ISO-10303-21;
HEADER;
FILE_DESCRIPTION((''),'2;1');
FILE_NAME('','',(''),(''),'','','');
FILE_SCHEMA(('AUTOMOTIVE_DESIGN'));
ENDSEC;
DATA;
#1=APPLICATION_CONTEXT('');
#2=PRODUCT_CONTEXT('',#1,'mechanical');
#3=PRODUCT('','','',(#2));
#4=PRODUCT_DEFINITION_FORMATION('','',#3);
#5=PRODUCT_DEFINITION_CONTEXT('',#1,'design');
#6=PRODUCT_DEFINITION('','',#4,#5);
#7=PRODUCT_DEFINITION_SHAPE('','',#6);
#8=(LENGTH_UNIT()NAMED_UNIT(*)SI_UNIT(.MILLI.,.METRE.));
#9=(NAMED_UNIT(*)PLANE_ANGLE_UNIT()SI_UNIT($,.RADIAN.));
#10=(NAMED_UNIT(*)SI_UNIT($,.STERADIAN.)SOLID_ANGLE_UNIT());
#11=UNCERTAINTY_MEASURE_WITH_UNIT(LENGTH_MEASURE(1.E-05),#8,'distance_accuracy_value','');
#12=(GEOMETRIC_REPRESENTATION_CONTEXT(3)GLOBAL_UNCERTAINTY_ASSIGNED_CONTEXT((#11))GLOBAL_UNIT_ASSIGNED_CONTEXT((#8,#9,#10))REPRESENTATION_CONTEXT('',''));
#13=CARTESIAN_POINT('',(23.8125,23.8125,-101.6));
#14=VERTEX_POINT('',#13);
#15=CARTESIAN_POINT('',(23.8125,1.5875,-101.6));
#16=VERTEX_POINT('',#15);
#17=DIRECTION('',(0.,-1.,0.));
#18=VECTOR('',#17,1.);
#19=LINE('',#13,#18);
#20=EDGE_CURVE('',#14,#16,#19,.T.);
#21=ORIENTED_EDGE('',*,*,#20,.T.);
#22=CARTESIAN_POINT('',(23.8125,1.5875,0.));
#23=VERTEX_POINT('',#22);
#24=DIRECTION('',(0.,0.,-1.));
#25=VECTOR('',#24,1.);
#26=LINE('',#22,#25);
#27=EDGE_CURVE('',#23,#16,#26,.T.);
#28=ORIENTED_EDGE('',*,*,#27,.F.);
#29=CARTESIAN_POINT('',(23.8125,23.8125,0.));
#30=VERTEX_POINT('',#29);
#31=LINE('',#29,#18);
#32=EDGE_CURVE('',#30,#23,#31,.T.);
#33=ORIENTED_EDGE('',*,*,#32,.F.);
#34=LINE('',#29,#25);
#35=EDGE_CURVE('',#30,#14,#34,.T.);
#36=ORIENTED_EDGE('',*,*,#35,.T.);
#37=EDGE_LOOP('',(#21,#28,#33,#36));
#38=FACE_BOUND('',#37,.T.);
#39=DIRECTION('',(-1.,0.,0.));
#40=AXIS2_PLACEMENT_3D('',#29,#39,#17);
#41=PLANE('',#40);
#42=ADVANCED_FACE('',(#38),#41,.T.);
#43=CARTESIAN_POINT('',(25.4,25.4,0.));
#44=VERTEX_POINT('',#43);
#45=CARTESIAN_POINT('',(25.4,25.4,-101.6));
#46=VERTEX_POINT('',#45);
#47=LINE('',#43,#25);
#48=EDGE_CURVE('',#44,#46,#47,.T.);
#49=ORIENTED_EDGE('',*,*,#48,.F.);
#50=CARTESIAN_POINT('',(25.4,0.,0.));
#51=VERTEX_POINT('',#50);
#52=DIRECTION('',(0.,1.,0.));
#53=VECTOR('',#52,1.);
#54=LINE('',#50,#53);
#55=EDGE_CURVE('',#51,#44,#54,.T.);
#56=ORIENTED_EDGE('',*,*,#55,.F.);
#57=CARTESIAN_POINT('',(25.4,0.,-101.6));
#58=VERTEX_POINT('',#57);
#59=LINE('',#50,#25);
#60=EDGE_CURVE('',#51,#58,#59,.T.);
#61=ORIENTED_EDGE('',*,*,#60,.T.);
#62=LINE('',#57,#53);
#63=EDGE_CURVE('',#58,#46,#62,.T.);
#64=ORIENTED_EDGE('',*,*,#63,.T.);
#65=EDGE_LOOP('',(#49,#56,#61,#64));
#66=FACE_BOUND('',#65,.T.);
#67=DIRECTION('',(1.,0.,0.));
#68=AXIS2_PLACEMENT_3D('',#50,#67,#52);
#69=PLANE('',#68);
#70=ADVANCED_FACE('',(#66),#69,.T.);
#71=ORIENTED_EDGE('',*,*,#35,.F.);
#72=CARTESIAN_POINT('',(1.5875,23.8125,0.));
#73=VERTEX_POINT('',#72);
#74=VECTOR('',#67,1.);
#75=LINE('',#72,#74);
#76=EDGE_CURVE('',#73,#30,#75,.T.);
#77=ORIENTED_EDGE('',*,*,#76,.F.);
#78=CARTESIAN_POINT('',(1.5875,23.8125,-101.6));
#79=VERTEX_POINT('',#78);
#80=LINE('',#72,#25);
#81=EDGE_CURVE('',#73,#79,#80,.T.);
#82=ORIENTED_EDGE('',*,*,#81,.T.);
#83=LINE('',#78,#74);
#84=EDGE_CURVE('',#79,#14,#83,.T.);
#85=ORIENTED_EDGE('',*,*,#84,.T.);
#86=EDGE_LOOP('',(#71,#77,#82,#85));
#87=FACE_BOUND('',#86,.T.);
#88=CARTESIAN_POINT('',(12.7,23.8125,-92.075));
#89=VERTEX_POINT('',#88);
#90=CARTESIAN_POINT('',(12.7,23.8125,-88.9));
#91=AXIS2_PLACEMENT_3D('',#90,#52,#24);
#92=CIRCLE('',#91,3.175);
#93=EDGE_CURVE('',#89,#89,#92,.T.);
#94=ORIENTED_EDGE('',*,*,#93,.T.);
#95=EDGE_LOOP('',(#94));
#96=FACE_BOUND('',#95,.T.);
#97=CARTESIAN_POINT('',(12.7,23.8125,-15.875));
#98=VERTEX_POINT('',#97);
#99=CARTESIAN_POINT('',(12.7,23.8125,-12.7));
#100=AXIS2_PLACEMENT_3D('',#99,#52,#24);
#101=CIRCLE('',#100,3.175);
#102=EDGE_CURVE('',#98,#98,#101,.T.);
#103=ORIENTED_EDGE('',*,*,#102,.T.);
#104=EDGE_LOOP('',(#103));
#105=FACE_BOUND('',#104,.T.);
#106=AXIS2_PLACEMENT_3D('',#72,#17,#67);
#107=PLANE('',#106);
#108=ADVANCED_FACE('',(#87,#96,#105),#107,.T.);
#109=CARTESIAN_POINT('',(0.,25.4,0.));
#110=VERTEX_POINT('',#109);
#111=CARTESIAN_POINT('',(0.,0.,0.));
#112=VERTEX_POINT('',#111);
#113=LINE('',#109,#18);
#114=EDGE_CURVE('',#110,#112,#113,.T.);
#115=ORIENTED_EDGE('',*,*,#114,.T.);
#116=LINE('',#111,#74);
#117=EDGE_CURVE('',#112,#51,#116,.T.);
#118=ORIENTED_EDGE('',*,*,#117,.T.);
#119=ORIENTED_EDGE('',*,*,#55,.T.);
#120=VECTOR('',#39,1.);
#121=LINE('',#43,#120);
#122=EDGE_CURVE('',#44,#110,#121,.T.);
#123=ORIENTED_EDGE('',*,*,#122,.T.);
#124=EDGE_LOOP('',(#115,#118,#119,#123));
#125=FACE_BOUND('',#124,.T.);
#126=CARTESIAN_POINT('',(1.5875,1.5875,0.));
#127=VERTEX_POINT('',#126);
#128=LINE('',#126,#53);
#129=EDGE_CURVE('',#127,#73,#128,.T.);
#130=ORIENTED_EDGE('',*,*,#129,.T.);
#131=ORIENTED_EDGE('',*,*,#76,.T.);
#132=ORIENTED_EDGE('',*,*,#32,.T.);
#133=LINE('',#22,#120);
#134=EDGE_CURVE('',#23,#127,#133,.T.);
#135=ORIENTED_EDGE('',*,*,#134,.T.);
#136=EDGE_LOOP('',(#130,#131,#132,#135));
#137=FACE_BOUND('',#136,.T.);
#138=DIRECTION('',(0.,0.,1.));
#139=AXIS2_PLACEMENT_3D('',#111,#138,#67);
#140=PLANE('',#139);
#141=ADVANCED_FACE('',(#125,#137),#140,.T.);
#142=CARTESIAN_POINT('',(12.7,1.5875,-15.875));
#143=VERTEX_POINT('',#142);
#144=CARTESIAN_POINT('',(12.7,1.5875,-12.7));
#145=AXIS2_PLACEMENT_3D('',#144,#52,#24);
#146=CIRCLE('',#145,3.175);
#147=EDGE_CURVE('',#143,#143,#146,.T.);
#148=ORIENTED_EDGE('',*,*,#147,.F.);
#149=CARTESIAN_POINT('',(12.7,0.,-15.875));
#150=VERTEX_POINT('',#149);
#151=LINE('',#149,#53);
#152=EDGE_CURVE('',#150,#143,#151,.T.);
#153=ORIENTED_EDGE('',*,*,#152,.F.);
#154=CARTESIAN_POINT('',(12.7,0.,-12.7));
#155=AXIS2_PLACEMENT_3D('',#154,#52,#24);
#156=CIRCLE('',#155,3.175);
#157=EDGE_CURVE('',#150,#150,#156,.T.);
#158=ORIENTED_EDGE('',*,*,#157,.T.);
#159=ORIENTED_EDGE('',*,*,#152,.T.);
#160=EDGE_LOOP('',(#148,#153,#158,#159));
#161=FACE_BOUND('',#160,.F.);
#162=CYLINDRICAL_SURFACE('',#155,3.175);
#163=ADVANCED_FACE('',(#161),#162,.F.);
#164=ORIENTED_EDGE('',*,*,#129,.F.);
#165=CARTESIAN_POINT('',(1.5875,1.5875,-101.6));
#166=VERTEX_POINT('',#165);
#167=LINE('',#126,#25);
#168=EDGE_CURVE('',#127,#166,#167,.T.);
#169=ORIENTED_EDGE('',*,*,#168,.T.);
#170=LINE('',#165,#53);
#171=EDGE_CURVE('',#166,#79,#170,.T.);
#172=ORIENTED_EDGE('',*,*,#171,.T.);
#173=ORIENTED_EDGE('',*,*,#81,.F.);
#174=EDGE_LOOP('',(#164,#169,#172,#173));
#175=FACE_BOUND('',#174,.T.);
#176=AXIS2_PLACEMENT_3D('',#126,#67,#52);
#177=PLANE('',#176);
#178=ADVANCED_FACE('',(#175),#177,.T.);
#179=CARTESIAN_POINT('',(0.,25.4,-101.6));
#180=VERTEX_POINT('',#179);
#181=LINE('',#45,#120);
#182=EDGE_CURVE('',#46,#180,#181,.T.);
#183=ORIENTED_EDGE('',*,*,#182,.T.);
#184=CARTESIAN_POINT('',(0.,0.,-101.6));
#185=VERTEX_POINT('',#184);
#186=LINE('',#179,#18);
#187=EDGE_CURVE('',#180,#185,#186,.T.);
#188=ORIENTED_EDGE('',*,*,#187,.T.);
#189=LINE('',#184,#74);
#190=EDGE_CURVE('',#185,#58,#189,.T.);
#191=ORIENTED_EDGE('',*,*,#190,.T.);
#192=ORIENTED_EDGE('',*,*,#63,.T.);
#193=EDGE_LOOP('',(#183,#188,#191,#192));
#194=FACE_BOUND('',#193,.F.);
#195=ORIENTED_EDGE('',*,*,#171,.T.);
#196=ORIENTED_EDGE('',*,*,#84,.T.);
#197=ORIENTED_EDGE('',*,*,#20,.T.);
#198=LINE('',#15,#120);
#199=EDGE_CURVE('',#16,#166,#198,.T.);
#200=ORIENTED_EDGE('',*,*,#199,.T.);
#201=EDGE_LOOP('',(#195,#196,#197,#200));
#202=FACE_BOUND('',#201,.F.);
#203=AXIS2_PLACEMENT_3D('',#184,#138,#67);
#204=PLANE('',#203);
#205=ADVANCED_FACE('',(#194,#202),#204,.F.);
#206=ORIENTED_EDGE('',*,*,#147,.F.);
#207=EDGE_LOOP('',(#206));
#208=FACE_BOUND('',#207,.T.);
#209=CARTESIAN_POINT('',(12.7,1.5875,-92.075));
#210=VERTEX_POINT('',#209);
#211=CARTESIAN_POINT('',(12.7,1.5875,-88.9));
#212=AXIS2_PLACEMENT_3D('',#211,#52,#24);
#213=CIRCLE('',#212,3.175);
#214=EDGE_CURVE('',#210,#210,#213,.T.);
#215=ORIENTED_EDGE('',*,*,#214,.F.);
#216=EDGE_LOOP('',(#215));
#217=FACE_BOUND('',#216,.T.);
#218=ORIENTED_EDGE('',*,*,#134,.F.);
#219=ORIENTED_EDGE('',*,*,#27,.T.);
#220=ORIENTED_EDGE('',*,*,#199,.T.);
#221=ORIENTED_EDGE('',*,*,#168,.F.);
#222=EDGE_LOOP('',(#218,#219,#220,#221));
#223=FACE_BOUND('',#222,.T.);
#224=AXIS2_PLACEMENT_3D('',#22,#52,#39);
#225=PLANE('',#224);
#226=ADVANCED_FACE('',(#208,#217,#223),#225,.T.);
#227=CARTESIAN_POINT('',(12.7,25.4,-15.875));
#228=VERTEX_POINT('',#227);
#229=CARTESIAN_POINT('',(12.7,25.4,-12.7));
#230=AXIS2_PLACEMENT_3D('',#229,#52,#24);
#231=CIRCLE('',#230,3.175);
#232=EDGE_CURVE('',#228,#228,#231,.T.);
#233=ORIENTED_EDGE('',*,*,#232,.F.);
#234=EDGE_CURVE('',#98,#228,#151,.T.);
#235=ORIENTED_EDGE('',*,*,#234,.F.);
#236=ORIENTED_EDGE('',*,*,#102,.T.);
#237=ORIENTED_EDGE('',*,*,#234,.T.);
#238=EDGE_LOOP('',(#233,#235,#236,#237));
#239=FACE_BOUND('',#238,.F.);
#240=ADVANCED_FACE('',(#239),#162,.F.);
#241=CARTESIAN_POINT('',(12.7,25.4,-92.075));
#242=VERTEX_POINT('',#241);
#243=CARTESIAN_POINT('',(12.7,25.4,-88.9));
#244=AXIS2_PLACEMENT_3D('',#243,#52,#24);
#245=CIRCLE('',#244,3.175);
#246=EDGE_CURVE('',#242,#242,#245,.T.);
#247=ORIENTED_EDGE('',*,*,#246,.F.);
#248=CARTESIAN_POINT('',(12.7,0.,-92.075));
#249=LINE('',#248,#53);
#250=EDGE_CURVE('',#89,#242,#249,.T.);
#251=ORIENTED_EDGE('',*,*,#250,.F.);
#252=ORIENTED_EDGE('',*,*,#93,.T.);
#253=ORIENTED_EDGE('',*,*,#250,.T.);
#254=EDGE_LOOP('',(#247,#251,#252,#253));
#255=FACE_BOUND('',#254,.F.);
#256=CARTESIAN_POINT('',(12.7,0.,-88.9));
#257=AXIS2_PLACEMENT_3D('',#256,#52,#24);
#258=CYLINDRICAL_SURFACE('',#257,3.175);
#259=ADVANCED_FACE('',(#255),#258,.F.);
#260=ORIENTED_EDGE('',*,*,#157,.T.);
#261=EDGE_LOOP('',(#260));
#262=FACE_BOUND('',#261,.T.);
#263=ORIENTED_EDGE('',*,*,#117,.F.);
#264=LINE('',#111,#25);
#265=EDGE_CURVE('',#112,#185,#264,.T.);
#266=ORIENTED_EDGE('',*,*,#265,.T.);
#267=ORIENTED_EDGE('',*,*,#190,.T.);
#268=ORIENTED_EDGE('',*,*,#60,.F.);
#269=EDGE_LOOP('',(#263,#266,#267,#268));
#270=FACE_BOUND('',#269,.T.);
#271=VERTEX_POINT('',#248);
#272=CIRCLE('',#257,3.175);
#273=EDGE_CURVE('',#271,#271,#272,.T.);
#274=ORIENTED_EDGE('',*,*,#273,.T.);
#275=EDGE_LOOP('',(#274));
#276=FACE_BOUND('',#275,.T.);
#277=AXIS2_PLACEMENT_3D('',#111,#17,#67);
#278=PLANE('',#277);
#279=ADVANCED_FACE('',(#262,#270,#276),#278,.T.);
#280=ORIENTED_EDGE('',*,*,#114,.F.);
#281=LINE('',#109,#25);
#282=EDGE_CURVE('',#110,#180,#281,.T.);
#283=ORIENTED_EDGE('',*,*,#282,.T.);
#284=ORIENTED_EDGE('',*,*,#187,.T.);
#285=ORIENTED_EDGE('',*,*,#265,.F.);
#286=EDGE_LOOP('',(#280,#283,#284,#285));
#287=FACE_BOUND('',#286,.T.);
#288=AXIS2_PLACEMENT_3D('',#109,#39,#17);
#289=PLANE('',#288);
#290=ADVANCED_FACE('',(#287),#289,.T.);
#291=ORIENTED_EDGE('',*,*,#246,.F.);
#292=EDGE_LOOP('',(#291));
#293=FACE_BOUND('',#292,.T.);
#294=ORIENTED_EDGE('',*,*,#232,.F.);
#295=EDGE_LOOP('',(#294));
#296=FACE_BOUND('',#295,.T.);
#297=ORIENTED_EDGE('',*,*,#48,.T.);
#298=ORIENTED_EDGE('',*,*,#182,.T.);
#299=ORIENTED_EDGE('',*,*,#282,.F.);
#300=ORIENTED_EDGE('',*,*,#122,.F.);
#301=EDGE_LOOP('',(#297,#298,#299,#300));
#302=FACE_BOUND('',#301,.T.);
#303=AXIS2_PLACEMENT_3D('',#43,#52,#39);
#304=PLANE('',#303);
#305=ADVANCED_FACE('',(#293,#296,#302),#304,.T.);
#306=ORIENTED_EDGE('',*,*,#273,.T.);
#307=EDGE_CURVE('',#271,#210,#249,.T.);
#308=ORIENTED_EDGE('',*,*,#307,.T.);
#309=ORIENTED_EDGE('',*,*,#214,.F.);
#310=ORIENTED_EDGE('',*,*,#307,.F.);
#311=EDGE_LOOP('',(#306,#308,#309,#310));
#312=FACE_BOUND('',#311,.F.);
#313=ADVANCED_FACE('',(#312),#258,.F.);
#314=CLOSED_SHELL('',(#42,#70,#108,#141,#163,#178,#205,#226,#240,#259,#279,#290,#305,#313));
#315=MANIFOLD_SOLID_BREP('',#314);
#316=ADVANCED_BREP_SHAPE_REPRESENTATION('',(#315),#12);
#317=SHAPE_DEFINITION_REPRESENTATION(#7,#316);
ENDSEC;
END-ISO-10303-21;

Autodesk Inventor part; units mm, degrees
ref_plane "YZ Plane" through (0, 0, 0) normal (1, 0, 0) x (0, 1, 0)
ref_plane "XZ Plane" through (0, 0, 0) normal (0, 1, 0) x (-1, 0, 0)
ref_plane "XY Plane" through (0, 0, 0) normal (0, 0, 1) x (1, 0, 0)
sketch "Sketch1" plane through (0, 0, 0) normal (0, 0, 1) x (1, 0, 0)
  line L0 (0, 0) -> (25.4, 0)
  line L1 (25.4, 0) -> (25.4, 25.4)
  line L2 (25.4, 25.4) -> (0, 25.4)
  line L3 (0, 25.4) -> (0, 0)
  line L4 (1.5875, 23.8125) -> (23.8125, 23.8125)
  line L5 (23.8125, 23.8125) -> (23.8125, 1.5875)
  line L6 (23.8125, 1.5875) -> (1.5875, 1.5875)
  line L7 (1.5875, 1.5875) -> (1.5875, 23.8125)
  dimension "d0" = 25.4
  dimension "d1" = 25.4
  dimension "d2" = 1.5875
extrude "Extrusion1" add sketch "Sketch1" against normal blind 101.6
sketch "Sketch3" plane through (0, 0, 0) normal (0, -1, 0) x (1, 0, 0)
  line L0 (0, -101.6) -> (25.4, -101.6) projected
  line L1 (0, 0) -> (25.4, 0) projected
  point P0 (12.7, -12.7)
  point P1 (12.7, -88.9)
  dimension "d7" = 12.7
  dimension "d8" = 12.7
hole "Hole2" at (12.7, 0, -12.7) at (12.7, 0, -88.9) direction (0, 1, 0) diameter 6.35 depth 25.4 tip angle 118
properties part number "tube_r_b_in"
